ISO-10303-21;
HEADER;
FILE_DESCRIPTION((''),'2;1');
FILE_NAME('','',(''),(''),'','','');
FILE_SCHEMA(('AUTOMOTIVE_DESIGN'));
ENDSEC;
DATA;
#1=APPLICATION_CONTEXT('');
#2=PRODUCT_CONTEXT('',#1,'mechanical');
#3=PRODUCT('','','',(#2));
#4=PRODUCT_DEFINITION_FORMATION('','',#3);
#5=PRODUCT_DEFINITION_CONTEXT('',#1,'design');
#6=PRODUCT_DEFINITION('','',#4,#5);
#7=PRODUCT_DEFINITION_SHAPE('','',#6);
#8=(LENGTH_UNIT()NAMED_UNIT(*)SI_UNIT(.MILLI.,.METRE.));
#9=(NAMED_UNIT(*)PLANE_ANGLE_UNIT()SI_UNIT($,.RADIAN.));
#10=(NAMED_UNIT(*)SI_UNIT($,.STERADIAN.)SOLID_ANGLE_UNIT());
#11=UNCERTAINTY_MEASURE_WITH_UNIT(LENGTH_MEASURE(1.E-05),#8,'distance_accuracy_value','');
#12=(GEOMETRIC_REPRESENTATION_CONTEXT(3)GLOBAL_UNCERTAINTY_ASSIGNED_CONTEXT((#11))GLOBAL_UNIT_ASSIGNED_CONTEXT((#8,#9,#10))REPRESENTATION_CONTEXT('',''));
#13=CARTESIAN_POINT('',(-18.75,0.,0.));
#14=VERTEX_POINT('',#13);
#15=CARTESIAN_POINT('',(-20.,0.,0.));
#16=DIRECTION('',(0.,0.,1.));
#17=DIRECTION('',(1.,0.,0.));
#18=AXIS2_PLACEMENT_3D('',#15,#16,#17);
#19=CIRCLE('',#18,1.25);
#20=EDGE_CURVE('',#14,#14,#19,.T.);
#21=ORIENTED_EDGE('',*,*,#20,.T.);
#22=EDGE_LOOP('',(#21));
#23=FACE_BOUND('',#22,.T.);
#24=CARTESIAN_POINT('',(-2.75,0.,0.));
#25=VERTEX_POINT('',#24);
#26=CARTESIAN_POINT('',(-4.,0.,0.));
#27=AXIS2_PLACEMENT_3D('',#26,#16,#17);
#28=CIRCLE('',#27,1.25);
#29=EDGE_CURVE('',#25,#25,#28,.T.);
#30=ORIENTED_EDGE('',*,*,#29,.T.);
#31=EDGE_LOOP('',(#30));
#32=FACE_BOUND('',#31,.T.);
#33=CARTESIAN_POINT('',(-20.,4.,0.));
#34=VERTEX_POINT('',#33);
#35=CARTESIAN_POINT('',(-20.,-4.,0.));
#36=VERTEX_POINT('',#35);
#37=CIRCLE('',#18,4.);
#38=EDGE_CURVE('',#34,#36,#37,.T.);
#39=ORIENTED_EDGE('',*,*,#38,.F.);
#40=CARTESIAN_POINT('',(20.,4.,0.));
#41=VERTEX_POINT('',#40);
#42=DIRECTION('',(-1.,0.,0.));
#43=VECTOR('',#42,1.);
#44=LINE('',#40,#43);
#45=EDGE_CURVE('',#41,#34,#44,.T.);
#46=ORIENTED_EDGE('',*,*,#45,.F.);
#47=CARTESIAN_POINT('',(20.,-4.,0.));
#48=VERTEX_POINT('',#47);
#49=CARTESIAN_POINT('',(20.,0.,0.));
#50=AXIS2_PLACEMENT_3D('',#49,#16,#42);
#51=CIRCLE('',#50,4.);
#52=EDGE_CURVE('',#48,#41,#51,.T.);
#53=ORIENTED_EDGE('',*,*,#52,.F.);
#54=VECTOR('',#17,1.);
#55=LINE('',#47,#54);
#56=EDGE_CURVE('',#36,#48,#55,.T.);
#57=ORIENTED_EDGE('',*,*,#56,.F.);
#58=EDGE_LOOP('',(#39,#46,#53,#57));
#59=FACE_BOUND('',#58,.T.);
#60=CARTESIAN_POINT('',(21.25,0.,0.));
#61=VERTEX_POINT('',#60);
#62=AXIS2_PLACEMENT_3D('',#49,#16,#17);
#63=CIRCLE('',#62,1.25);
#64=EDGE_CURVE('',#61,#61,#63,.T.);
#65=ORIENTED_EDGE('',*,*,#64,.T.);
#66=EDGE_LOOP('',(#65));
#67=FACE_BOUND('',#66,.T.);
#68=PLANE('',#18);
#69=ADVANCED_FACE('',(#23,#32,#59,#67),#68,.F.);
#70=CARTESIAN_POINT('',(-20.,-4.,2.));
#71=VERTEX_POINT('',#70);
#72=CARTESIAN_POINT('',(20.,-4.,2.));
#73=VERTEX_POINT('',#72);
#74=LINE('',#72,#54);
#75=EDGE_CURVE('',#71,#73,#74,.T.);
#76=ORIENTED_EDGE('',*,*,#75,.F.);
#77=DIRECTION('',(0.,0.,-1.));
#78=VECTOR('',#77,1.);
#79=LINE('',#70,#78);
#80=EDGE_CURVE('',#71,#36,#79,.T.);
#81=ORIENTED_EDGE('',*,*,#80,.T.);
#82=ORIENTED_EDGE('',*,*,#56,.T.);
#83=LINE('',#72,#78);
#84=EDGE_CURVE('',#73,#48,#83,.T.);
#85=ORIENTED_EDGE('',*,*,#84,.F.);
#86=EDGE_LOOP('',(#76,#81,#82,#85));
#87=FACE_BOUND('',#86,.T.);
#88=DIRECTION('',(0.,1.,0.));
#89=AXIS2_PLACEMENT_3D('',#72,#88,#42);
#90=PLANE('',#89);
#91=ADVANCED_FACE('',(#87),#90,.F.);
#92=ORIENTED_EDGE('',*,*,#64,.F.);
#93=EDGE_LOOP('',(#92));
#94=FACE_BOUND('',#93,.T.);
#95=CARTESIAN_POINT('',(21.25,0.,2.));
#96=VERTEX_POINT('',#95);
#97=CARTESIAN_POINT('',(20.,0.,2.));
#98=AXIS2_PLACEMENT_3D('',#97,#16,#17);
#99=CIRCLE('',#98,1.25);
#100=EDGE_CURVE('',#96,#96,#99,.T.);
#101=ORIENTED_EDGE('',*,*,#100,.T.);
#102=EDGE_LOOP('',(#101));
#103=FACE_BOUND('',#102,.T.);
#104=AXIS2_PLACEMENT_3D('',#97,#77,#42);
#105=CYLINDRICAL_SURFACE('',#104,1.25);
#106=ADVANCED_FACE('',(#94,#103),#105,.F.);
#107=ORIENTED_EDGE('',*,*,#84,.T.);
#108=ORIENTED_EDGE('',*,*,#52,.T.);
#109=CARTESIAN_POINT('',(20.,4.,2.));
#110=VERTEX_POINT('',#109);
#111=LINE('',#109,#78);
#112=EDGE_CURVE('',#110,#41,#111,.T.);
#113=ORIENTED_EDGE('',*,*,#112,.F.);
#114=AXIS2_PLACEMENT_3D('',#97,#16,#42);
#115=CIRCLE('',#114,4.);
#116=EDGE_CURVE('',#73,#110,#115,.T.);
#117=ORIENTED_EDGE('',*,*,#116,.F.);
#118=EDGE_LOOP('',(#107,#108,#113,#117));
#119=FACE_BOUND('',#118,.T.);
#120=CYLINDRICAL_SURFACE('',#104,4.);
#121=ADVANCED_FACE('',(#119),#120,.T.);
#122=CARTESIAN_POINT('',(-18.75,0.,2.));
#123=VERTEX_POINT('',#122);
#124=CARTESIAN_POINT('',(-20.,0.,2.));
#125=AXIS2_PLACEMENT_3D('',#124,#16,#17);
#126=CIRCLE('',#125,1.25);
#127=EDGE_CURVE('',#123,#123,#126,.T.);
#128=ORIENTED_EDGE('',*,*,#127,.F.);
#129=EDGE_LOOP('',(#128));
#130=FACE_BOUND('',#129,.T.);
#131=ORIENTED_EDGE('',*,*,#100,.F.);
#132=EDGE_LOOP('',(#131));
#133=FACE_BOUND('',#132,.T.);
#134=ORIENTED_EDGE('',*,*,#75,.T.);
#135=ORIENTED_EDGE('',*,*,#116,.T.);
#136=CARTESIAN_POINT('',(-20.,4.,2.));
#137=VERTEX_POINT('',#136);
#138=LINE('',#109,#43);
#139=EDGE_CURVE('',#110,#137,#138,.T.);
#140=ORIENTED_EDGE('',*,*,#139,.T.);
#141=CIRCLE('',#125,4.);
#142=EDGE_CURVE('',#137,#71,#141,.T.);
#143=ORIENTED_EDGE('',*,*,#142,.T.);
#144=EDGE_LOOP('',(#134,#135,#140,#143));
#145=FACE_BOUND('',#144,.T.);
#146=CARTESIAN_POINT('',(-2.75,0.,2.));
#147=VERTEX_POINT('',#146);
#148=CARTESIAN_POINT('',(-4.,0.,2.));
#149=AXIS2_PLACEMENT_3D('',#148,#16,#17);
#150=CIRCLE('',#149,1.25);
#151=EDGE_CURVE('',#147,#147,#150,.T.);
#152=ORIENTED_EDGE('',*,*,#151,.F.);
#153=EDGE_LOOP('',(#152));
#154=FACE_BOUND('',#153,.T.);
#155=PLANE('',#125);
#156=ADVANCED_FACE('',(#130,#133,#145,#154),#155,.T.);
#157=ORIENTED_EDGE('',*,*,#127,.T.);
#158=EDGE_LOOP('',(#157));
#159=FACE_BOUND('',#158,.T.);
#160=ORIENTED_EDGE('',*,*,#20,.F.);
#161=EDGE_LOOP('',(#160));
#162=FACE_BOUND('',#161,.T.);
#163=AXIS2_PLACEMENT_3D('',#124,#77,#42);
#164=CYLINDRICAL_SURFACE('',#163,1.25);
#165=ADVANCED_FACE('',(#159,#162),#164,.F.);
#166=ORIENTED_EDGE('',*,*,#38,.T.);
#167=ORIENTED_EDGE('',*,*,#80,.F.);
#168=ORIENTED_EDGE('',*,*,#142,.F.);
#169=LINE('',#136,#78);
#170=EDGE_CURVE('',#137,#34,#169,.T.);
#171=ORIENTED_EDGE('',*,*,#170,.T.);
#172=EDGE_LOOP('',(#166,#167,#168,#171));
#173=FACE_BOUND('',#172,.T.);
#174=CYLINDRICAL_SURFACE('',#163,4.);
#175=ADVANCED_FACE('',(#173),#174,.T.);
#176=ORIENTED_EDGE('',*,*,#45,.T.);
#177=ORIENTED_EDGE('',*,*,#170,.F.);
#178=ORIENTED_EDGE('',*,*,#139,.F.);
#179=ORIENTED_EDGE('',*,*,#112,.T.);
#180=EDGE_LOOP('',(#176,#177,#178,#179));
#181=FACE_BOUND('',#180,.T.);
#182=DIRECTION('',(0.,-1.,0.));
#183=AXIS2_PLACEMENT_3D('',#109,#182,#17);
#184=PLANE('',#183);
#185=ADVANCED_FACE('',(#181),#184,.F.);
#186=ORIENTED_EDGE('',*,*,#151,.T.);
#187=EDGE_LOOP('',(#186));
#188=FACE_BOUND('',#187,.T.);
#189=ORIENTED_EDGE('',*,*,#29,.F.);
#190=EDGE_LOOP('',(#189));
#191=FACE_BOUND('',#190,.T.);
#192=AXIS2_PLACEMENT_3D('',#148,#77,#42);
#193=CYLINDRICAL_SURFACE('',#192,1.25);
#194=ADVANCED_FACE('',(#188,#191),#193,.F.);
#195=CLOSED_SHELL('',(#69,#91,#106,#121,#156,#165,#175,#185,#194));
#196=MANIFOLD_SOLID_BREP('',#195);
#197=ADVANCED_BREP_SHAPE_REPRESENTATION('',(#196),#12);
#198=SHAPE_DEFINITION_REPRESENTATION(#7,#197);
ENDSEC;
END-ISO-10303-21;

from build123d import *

# Parameters (mm, degrees)
SKETCH1_R      = 1.25
EXTRUDE1_DEPTH = 2


with BuildPart() as part:
    # Sketch1 → Extrude1 (new body)
    with BuildSketch(Plane.XY):
        with BuildLine():
            Line((20, -4), (-20, -4))
            ThreePointArc((-20, -4), (-24, 0), (-20, 4))
            Line((-20, 4), (20, 4))
            ThreePointArc((20, 4), (24, 0), (20, -4))
        make_face()
        with Locations((-20, 0)):
            Circle(SKETCH1_R, mode=Mode.SUBTRACT)
        with Locations((20, 0)):
            Circle(SKETCH1_R, mode=Mode.SUBTRACT)
        with Locations((-4, 0)):
            Circle(SKETCH1_R, mode=Mode.SUBTRACT)
    extrude(amount=EXTRUDE1_DEPTH)


solid = part.part
